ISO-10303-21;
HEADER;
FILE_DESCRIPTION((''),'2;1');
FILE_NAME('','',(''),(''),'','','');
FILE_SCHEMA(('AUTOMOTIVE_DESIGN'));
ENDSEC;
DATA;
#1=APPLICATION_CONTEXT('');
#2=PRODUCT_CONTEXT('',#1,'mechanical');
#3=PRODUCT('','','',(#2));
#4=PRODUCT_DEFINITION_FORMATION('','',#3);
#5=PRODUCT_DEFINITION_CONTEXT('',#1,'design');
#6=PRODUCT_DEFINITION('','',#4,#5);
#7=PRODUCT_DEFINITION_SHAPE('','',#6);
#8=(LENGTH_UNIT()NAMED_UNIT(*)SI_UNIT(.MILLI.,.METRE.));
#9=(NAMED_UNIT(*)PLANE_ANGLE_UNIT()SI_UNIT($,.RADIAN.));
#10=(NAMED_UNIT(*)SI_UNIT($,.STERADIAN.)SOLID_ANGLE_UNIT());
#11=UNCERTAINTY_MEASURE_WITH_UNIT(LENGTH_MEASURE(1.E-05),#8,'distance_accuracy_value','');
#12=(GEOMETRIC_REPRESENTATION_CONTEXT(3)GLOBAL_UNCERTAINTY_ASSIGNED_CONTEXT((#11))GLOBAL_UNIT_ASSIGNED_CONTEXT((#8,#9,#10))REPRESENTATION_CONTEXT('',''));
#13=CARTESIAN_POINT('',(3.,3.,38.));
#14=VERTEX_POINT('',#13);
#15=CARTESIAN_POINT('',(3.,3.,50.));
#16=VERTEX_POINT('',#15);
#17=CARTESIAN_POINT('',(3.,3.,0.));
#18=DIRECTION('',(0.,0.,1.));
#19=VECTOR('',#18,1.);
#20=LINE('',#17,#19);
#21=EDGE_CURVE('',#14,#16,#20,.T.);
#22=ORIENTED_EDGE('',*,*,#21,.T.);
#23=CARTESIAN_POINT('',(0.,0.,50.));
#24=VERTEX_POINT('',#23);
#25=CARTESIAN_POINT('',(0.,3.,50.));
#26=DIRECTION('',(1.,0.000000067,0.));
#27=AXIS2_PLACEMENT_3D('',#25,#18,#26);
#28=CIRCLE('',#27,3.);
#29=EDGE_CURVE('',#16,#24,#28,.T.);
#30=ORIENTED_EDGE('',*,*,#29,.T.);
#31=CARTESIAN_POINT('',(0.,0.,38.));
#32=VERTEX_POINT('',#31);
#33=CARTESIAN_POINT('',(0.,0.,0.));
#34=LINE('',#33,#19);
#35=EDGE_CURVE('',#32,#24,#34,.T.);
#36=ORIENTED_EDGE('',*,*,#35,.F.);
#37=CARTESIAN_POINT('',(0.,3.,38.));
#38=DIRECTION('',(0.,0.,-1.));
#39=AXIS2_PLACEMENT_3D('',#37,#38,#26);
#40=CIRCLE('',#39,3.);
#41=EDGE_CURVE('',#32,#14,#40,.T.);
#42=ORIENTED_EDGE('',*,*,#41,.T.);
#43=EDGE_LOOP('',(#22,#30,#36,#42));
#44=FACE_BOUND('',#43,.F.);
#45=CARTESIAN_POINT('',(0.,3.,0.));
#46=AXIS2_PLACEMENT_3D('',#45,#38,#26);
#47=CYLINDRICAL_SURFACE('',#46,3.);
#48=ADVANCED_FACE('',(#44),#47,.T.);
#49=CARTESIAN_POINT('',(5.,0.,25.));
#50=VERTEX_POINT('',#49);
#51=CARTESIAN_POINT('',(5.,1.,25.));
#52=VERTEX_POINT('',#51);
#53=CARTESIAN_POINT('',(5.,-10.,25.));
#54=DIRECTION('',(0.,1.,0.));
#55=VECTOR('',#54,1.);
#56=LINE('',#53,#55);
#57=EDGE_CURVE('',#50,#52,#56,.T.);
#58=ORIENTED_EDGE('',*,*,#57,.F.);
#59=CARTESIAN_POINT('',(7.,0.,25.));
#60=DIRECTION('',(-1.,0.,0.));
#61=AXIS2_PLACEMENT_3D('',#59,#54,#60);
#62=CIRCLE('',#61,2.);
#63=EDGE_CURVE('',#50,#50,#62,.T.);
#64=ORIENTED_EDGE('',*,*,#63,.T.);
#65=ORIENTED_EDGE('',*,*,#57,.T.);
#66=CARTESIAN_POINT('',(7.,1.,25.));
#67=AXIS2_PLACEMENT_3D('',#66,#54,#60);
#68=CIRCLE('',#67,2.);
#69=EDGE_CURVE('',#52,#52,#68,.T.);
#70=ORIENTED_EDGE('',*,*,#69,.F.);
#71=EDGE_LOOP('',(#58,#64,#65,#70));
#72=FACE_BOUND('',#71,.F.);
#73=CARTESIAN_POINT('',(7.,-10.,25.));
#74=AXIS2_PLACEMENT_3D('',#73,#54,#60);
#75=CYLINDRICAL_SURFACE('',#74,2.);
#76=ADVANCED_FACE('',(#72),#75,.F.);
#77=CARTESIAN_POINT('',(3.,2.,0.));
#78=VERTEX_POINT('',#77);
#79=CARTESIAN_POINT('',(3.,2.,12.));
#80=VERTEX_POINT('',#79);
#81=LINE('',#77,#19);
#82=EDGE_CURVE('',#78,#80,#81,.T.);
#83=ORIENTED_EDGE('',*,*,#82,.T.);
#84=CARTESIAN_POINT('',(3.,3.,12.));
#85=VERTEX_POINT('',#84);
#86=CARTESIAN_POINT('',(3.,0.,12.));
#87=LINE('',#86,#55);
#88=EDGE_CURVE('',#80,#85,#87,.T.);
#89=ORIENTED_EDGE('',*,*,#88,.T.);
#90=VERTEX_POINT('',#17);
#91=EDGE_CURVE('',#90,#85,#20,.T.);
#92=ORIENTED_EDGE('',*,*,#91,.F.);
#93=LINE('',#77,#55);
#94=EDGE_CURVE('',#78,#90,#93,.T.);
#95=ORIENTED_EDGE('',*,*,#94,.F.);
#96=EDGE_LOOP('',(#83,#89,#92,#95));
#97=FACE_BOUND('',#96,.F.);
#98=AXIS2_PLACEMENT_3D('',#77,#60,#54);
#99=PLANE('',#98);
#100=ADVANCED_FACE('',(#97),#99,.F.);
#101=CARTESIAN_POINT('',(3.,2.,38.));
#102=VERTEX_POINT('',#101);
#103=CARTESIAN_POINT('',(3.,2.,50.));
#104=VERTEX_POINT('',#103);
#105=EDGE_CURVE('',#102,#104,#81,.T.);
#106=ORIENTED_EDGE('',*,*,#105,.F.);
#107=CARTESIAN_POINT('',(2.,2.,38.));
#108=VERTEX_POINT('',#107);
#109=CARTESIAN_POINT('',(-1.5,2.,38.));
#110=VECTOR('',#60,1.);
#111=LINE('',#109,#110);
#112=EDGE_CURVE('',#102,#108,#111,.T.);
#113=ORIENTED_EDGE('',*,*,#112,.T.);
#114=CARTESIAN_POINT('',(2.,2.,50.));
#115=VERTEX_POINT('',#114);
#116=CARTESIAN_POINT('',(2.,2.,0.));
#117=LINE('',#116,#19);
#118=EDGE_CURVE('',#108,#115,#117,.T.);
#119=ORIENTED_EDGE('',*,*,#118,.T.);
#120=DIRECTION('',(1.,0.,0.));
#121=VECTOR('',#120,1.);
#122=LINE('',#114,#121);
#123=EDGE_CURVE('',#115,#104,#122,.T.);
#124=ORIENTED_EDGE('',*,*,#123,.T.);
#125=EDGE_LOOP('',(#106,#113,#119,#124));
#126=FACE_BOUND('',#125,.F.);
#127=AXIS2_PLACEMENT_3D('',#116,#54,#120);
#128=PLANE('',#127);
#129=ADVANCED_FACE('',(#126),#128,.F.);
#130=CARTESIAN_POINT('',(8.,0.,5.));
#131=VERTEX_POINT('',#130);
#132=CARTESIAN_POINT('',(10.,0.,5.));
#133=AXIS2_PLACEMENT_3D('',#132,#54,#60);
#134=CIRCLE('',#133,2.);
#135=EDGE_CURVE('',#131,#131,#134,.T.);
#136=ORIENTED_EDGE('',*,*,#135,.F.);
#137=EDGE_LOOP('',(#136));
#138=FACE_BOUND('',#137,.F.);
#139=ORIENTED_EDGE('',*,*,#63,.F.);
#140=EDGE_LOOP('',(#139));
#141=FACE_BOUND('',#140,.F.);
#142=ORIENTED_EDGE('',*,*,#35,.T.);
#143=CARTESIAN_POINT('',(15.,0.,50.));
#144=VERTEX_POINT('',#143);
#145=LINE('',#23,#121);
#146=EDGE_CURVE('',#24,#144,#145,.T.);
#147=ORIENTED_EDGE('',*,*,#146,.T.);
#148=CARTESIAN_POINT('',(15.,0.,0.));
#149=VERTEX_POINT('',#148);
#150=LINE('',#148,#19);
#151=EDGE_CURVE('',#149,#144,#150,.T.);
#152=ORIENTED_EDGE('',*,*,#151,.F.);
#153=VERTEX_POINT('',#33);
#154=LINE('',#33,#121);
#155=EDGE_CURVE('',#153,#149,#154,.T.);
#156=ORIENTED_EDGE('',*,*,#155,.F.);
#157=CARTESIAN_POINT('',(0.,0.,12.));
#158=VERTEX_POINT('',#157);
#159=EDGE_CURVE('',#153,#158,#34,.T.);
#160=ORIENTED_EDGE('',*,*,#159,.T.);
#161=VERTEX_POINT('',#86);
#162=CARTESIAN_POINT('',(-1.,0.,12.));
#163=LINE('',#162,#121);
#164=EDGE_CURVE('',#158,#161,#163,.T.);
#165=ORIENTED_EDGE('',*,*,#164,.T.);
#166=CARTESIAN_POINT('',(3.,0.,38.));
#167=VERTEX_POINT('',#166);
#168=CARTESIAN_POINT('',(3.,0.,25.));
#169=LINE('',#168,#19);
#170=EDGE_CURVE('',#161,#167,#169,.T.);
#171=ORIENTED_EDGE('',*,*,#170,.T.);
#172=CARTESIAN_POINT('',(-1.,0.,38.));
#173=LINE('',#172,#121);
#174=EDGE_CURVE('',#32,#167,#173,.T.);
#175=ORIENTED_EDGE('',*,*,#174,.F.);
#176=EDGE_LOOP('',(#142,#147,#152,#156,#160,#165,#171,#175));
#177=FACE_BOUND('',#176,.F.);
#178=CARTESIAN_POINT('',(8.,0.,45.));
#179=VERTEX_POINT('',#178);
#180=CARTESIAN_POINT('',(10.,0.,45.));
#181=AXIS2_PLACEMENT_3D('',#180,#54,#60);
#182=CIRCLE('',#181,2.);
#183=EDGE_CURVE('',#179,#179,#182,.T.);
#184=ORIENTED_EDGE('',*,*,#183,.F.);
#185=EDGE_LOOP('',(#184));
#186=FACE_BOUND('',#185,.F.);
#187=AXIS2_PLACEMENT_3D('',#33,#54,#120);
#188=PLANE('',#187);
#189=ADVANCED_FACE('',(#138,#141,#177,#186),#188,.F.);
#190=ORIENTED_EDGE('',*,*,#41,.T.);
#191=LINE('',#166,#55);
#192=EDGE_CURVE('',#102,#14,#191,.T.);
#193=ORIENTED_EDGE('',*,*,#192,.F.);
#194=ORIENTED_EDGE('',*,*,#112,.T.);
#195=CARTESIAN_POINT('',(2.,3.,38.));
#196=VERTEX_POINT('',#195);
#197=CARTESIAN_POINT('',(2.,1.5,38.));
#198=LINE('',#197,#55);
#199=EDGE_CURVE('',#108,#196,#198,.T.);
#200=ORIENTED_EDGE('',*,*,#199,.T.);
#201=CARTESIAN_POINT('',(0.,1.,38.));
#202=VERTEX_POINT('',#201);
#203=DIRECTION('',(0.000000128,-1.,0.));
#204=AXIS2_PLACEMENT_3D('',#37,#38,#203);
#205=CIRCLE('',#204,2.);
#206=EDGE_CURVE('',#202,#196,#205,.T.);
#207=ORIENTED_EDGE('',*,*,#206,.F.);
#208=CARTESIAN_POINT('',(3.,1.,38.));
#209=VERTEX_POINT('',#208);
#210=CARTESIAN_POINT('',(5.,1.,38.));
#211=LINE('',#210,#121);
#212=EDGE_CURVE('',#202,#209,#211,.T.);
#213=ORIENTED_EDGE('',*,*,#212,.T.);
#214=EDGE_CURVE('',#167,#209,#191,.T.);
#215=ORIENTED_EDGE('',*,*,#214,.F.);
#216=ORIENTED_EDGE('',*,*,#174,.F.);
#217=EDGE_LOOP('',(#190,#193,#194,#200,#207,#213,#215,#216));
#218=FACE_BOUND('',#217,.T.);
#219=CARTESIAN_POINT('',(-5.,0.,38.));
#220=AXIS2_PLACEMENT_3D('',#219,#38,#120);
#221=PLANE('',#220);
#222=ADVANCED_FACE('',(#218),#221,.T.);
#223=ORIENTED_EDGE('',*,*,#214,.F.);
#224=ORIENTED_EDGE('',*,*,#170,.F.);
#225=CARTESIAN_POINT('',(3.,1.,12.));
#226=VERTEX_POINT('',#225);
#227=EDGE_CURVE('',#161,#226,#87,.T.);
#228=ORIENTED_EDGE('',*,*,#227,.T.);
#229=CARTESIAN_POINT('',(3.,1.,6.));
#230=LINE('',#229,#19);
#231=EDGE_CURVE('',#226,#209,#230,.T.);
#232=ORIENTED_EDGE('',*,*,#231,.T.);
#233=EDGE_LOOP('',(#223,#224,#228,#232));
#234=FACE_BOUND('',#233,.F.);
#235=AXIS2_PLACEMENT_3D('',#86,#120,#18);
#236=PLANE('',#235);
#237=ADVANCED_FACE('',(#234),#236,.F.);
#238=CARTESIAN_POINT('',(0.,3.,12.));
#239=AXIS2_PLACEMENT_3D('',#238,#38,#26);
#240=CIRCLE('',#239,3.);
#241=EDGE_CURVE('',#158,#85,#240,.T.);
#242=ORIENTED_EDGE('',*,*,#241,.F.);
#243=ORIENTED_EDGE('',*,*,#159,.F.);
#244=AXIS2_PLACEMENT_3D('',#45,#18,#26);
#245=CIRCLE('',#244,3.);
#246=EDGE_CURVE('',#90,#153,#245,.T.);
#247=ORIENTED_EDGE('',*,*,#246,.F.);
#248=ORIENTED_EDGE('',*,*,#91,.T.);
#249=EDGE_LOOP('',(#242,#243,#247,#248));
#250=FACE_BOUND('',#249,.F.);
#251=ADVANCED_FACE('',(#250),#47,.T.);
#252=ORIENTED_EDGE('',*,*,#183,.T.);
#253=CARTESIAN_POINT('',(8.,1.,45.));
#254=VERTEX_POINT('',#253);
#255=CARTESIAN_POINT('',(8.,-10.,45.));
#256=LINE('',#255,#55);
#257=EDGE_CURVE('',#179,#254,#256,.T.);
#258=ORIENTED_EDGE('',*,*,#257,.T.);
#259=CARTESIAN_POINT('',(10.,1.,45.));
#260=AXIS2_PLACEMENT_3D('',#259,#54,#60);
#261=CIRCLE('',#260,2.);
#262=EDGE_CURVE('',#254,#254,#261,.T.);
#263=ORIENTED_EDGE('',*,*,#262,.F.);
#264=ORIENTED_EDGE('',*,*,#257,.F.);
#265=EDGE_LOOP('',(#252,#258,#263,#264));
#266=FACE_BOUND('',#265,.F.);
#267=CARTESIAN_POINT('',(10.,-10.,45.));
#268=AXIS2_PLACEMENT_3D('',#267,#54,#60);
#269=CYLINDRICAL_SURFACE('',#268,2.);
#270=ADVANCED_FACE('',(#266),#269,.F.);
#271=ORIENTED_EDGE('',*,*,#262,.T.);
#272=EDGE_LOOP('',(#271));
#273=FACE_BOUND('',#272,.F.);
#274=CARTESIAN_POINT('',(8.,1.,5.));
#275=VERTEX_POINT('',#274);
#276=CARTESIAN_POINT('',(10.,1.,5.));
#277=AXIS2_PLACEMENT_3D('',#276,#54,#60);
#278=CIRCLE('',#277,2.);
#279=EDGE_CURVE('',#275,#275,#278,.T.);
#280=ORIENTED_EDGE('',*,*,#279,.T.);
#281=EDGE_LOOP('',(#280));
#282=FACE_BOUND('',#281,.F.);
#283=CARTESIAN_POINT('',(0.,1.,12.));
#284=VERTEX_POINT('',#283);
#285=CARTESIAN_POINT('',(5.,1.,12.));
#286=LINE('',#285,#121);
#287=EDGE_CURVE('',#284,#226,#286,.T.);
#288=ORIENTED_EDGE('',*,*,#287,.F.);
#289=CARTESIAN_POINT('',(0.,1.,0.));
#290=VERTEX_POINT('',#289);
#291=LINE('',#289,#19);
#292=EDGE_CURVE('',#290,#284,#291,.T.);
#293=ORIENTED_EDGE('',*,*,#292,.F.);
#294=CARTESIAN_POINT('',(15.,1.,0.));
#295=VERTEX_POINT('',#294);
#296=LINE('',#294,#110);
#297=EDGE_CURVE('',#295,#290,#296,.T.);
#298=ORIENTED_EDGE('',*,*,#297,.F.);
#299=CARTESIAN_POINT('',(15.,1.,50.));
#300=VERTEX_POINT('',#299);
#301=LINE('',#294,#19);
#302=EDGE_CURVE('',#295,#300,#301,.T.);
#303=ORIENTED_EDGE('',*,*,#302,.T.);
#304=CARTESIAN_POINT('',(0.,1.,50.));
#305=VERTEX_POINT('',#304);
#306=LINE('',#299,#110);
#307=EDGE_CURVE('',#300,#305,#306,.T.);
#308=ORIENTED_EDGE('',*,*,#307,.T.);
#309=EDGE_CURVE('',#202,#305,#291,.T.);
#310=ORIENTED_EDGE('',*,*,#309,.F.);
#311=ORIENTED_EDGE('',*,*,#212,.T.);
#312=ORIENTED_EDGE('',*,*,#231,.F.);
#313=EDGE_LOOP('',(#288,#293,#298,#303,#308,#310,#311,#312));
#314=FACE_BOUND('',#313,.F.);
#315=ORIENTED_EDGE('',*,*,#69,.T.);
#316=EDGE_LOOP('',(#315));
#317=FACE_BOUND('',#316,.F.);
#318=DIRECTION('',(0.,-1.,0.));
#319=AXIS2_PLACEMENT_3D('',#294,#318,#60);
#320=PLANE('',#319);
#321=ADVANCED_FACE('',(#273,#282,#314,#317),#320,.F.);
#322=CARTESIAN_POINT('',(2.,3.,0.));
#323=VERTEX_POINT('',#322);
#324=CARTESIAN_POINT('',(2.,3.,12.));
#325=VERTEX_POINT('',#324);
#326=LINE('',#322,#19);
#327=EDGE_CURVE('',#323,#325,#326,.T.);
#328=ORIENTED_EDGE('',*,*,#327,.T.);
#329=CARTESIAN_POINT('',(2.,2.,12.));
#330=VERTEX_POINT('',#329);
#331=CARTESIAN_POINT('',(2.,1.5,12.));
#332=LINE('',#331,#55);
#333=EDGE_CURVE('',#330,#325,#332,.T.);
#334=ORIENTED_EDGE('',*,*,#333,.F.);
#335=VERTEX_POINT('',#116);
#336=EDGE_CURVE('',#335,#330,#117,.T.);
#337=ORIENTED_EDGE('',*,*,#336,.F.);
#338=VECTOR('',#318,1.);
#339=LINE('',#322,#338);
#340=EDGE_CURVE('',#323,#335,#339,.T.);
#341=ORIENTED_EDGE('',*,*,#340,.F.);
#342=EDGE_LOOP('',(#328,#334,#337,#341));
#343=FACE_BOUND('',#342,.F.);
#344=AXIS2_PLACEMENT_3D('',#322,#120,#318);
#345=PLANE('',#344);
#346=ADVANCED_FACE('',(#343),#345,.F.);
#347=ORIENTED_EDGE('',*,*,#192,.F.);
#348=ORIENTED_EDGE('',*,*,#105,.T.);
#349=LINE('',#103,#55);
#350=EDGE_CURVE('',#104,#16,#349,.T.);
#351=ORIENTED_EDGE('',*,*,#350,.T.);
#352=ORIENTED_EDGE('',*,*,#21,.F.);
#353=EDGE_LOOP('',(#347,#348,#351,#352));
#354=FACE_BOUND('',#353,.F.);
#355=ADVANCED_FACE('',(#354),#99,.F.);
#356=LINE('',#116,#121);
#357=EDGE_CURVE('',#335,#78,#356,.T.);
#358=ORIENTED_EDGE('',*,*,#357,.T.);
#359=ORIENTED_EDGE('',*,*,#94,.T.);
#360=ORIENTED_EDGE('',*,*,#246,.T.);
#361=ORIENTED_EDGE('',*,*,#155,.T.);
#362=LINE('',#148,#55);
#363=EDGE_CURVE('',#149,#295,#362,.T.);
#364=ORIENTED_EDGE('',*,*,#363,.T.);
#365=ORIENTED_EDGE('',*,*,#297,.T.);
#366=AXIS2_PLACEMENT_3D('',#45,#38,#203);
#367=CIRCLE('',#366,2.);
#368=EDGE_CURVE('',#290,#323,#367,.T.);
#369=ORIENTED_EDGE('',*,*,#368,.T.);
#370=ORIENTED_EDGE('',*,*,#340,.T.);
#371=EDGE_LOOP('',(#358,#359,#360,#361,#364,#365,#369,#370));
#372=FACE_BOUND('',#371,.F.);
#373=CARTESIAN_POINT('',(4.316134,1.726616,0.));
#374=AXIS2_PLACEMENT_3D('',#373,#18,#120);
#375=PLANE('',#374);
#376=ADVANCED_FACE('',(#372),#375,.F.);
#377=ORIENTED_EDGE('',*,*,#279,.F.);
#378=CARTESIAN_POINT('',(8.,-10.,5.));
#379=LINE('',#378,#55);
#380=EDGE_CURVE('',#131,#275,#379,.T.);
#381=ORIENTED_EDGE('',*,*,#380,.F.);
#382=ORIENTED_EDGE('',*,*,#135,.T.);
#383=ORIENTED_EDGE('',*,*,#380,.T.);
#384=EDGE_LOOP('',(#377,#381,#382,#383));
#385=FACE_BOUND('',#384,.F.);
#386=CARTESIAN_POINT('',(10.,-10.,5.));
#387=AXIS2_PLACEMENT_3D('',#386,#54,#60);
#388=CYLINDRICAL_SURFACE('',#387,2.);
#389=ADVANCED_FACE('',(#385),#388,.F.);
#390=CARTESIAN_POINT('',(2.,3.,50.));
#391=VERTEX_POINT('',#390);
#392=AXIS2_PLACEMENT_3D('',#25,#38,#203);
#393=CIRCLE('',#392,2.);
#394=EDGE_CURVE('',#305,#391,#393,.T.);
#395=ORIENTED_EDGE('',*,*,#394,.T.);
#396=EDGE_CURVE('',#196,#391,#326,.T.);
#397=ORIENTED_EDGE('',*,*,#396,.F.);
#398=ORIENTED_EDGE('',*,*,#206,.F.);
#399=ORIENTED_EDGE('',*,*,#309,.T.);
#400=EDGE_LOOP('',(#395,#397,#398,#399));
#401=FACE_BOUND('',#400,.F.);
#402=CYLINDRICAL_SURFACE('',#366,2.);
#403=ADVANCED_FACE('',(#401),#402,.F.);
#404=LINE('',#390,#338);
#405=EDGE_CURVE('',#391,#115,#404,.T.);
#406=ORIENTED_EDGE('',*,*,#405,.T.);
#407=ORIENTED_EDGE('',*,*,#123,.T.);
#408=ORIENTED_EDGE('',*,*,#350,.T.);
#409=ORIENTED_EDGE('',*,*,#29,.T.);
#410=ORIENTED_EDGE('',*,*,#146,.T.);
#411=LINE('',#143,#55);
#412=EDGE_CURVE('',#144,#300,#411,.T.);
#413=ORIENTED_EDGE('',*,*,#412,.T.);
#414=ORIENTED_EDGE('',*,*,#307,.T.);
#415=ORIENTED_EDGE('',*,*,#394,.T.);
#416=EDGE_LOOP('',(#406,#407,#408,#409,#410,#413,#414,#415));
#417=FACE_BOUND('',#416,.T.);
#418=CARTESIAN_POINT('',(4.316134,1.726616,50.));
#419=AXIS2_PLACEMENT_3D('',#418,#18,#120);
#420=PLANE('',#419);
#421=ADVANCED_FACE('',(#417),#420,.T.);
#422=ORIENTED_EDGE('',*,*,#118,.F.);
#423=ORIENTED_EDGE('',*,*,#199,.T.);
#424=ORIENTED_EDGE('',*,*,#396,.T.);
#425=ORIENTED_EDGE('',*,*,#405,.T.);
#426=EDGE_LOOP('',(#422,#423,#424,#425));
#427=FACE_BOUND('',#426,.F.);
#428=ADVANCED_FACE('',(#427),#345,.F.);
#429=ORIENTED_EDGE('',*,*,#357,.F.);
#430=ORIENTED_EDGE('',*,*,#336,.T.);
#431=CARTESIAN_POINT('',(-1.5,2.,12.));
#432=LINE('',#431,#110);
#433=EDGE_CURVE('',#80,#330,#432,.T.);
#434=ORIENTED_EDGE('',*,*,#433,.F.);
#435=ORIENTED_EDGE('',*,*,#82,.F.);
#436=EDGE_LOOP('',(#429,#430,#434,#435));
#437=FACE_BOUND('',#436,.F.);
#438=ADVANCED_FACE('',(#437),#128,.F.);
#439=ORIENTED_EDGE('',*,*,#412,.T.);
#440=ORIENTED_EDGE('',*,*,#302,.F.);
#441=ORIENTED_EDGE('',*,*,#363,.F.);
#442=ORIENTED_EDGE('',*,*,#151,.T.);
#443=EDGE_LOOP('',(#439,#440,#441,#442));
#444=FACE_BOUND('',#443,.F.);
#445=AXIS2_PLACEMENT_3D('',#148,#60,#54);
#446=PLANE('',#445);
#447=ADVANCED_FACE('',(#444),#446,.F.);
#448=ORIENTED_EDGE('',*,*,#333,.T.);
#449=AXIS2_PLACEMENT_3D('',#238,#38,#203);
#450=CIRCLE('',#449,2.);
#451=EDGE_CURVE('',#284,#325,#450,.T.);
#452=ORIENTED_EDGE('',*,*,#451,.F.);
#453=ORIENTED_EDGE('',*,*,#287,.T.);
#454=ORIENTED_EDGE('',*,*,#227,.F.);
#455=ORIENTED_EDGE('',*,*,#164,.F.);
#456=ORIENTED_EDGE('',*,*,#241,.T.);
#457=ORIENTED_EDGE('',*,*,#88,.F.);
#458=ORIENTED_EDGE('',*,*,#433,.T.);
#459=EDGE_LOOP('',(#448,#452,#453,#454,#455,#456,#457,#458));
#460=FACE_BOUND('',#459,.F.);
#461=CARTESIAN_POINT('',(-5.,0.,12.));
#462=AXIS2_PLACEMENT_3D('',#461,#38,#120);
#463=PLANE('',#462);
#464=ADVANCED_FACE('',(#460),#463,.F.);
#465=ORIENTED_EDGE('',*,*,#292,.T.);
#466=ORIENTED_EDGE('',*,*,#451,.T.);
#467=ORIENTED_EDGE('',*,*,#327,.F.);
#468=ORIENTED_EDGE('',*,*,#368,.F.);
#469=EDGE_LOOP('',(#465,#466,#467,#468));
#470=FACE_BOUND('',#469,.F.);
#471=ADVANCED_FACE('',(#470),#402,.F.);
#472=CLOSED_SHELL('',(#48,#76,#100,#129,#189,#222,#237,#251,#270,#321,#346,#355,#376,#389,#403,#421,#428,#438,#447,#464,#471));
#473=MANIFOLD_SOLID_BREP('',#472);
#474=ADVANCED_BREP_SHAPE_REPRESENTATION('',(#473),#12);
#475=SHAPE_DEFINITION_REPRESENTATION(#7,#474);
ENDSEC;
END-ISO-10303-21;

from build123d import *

# Parameters (mm, degrees)
F1_DEPTH = 50
F3_D     = 4
F3_DEPTH = 10
F2_W     = 8
F2_H     = 26
F4_DEPTH = 25


with BuildPart() as f1:
    # F0 (on Top) → F1 (new body)
    with BuildSketch(Plane.XY):
        with BuildLine():
            Line((0, 0), (15, 0))
            Line((15, 0), (15, 1))
            Line((15, 1), (0, 1))
            ThreePointArc((0, 1), (-1.414214, 4.414214), (2, 3))
            Line((2, 3), (2, 2))
            Line((2, 2), (3, 2))
            Line((3, 2), (3, 3))
            ThreePointArc((3, 3), (-2.12132, 5.12132), (0, 0))
        make_face()
    extrude(amount=F1_DEPTH)

    # F3
    with Locations(Plane.XZ):
        with Locations((10, 45), (7, 25), (10, 5)):
            Hole(F3_D / 2, depth=F3_DEPTH)

    # F2 (on Front) → F4 (cut)
    with BuildSketch(Plane.XZ):
        with Locations((-1, 25)):
            Rectangle(F2_W, F2_H)
    extrude(amount=-F4_DEPTH, mode=Mode.SUBTRACT)


solid = f1.part
